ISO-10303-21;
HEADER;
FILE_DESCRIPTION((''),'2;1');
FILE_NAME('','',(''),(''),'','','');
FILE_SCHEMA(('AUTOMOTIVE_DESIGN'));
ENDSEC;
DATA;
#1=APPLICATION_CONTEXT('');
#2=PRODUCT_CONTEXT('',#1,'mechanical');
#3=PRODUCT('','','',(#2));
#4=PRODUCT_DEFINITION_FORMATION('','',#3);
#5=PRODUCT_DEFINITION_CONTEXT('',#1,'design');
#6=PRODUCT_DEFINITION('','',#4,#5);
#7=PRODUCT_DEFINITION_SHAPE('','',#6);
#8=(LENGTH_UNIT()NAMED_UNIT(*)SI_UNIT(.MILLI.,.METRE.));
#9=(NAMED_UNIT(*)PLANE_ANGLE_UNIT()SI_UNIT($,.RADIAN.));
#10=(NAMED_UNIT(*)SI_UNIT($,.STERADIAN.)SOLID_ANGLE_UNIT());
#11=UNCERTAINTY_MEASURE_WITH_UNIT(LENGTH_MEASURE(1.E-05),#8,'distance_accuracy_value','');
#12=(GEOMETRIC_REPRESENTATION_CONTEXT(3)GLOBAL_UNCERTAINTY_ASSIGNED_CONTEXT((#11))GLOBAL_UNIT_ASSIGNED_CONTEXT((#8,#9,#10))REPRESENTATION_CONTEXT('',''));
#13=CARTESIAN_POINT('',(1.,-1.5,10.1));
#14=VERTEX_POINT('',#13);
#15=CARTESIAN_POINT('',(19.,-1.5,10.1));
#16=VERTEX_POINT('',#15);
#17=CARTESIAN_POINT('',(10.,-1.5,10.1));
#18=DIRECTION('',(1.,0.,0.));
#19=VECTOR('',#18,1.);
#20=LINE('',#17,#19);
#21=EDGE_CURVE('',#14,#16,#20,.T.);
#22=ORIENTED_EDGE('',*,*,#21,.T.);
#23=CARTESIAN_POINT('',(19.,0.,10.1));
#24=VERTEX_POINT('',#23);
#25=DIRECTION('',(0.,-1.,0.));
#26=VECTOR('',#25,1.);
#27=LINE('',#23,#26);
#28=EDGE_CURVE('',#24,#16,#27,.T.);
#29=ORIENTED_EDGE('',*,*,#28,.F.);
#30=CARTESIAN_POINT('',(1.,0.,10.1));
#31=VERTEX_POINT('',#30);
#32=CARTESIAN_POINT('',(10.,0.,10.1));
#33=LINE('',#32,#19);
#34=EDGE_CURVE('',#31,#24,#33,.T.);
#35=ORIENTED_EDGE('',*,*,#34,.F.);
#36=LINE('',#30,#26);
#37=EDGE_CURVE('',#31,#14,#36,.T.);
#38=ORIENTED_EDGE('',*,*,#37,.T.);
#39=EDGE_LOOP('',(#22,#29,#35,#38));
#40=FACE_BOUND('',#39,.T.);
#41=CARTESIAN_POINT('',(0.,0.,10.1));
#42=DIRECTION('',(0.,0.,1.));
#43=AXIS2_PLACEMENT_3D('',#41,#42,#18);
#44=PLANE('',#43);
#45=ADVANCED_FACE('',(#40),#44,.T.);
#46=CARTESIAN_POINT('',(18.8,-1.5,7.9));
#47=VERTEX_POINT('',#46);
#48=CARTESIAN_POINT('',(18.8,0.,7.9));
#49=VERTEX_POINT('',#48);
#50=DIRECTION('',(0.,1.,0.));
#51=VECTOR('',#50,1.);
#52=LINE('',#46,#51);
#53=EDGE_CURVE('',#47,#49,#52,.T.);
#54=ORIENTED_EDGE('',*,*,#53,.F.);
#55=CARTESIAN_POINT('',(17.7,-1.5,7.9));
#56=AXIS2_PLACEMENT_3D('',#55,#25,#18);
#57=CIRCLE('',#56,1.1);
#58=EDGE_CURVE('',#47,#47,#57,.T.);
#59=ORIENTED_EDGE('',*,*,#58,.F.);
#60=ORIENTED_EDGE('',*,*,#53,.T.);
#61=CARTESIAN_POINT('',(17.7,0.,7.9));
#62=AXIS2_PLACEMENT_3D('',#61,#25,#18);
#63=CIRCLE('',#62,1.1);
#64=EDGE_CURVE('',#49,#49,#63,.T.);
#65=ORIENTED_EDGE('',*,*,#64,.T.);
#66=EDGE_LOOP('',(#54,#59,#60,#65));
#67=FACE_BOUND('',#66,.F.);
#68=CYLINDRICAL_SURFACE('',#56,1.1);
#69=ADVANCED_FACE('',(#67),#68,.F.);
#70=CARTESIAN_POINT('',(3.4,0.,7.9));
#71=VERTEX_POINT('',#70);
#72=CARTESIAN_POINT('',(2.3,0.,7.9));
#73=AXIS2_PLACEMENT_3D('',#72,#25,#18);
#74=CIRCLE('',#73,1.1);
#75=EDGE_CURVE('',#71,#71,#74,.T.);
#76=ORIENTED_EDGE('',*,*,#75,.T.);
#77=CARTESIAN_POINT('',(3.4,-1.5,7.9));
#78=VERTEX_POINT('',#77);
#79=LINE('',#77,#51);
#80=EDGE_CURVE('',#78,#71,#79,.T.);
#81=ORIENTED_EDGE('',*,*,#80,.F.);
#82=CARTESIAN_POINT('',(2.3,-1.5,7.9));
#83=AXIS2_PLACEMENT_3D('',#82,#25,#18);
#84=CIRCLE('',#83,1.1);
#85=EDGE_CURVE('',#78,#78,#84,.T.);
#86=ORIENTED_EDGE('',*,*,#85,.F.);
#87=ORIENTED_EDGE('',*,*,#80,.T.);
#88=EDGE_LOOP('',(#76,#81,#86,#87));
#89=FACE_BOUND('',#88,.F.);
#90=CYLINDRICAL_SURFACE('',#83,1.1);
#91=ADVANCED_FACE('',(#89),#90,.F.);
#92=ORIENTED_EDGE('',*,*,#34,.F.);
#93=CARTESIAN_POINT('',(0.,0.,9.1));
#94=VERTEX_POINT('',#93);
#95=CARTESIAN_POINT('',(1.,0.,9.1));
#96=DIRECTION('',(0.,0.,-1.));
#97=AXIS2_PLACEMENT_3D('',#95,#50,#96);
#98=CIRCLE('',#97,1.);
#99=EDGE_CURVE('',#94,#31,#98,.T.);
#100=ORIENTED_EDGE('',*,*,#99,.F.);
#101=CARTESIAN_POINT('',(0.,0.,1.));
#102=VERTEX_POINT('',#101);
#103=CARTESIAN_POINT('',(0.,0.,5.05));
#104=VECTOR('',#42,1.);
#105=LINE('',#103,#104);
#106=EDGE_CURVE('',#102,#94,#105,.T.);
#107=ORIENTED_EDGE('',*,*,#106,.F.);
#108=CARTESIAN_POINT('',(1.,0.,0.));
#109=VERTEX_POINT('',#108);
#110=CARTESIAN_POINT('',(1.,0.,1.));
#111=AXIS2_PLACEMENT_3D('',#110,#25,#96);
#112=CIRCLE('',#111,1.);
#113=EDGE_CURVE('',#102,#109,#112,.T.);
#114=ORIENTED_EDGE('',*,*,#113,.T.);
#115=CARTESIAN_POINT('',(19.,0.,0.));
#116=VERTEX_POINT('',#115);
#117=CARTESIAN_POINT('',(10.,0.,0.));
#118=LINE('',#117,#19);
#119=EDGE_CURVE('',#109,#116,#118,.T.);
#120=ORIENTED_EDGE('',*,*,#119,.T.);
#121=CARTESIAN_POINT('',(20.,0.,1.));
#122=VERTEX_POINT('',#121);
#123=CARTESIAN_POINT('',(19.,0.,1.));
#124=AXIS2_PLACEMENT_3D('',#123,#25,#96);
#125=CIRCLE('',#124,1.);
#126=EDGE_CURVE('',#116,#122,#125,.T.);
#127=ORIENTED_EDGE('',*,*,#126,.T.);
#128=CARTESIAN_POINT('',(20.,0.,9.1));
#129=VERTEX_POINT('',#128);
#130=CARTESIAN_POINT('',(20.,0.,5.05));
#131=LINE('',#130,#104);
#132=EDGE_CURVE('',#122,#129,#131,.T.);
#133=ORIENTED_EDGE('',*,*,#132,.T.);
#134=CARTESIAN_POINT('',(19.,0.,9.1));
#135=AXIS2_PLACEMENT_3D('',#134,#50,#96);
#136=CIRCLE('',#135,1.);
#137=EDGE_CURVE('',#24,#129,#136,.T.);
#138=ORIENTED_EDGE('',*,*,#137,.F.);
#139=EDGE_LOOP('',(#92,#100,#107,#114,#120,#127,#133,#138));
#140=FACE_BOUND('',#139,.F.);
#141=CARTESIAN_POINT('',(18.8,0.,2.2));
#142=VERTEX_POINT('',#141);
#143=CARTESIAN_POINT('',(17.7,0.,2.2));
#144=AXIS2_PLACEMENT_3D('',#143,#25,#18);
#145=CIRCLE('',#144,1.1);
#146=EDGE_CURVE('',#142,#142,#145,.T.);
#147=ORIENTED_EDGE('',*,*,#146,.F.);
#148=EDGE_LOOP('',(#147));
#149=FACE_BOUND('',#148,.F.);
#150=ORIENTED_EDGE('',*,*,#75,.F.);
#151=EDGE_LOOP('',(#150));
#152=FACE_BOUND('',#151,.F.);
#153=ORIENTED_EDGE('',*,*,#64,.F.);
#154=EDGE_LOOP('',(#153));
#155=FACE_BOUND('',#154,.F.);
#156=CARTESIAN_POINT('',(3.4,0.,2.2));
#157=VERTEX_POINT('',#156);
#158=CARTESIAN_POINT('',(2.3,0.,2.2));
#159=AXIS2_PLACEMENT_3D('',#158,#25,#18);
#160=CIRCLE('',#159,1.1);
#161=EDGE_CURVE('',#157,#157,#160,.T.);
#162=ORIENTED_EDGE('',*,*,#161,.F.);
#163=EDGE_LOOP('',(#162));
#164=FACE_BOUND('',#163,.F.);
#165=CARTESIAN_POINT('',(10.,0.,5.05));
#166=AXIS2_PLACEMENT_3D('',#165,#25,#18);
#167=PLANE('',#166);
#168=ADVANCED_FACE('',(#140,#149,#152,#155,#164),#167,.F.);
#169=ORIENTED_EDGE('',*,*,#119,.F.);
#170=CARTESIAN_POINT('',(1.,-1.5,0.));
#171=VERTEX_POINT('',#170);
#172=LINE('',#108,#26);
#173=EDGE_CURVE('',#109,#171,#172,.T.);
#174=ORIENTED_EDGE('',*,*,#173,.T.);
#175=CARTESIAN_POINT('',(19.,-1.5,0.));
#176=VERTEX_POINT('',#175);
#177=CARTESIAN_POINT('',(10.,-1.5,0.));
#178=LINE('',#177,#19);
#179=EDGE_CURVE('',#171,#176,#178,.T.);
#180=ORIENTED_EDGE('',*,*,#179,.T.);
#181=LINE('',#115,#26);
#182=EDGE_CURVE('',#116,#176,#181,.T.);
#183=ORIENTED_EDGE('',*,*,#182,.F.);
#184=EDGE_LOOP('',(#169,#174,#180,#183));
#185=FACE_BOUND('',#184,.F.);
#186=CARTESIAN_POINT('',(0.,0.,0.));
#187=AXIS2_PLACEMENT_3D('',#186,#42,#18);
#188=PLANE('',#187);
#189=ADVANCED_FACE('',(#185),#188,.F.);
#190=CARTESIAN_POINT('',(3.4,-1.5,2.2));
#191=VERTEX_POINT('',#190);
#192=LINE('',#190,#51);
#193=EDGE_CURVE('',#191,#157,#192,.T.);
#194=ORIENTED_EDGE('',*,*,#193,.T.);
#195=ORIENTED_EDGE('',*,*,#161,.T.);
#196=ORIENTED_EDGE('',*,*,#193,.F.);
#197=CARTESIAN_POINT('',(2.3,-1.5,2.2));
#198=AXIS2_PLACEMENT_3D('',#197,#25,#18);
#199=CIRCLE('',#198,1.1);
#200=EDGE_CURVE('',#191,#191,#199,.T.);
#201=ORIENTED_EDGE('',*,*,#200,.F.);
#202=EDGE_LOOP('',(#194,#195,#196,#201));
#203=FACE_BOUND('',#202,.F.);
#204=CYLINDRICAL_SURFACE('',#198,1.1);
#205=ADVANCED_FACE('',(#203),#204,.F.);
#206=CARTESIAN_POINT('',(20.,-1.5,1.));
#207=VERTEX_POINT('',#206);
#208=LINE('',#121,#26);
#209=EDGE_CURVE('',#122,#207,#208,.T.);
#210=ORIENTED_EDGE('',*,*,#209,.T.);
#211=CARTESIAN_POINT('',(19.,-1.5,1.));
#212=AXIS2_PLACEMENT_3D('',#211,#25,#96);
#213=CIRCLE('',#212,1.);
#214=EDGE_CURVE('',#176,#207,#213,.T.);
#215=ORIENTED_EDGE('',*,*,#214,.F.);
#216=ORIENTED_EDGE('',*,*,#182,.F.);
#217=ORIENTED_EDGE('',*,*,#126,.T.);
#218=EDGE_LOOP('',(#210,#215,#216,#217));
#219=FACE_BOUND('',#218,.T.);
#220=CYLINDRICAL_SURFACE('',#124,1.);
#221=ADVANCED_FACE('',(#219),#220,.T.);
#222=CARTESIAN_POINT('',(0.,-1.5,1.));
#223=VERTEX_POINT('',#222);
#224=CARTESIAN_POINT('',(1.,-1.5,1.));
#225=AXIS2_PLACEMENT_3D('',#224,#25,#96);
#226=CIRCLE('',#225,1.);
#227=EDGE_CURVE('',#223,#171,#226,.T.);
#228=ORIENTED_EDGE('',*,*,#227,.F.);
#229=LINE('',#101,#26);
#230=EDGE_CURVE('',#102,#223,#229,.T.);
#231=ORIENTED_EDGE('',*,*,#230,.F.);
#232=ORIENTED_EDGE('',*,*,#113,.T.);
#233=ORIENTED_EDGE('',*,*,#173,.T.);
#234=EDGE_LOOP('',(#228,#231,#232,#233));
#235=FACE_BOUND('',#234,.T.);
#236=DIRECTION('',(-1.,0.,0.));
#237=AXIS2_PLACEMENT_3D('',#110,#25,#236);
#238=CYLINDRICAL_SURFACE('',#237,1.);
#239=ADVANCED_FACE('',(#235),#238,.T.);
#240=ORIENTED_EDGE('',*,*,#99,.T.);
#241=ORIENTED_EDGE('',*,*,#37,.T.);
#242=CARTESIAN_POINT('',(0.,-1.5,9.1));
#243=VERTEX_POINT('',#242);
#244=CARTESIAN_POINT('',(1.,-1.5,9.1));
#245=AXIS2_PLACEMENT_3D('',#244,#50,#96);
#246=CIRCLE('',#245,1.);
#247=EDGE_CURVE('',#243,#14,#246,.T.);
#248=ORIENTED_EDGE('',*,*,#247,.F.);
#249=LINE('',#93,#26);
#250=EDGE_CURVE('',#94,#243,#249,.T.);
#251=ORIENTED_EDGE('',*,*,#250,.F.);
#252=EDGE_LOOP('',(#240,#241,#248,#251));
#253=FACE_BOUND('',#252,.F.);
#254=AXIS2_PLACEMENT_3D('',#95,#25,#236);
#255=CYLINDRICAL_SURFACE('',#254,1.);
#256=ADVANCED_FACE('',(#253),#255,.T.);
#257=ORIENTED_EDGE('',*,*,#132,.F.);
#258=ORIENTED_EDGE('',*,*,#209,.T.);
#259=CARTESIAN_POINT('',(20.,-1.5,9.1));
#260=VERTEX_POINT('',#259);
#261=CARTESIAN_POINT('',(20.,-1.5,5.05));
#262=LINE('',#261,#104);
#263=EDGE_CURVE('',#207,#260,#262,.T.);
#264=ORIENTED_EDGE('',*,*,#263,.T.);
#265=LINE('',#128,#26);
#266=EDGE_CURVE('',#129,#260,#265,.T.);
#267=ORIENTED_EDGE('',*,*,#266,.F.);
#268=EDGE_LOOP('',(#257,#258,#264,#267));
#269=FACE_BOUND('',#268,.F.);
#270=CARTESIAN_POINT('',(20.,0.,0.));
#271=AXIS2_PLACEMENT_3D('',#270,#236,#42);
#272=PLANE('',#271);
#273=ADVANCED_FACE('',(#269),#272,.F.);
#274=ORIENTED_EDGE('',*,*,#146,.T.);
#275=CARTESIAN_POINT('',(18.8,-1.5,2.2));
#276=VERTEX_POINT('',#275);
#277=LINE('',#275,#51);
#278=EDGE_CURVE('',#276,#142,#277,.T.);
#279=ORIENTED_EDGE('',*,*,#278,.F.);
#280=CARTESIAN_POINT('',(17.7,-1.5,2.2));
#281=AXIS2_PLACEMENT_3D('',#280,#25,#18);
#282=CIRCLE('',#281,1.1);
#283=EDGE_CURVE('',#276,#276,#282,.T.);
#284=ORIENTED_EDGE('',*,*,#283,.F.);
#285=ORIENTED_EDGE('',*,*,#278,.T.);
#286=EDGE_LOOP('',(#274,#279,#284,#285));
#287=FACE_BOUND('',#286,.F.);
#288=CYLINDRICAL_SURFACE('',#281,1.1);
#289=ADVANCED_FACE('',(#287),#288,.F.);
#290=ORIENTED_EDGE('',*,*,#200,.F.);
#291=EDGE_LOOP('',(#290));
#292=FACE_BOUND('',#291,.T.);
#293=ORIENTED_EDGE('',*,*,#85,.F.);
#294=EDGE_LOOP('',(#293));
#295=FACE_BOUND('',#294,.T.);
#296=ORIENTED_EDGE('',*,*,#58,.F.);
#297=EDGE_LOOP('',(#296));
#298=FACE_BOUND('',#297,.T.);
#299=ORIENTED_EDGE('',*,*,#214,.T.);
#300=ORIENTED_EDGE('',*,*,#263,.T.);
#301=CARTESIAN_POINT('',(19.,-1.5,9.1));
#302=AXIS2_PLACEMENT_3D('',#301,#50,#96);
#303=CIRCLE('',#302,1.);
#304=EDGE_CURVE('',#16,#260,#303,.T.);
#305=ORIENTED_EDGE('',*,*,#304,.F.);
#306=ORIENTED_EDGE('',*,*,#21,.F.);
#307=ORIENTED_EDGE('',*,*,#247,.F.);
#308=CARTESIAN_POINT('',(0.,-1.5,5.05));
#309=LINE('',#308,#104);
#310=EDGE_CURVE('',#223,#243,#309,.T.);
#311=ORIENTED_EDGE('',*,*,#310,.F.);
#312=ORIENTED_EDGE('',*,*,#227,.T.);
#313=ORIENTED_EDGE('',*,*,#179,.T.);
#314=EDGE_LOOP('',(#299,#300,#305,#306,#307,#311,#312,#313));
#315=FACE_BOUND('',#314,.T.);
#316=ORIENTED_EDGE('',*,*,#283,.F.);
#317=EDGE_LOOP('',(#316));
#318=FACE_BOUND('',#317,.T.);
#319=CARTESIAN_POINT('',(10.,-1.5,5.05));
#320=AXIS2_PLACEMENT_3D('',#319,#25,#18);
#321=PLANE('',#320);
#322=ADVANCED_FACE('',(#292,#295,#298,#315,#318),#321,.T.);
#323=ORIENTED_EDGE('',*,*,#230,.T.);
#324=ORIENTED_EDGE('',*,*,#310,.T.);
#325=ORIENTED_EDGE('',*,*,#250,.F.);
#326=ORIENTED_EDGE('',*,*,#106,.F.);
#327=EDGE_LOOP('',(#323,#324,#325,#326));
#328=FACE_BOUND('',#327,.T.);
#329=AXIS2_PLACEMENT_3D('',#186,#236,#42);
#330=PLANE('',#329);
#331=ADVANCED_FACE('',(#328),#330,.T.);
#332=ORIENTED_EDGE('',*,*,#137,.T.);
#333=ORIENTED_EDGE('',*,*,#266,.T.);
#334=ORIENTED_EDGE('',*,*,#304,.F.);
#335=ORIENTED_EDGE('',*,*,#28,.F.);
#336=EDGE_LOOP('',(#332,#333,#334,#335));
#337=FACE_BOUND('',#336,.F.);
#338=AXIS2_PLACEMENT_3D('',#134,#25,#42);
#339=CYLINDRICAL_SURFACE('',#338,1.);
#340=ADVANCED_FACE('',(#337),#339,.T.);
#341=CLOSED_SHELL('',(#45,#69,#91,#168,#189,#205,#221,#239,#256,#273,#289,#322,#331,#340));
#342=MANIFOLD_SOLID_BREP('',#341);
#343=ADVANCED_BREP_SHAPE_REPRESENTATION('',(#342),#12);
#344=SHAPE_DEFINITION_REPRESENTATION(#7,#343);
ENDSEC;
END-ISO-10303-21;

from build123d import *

# Parameters (mm, degrees)
F0_W     = 20
F0_H     = 10.1
F1_DEPTH = 1.5
F2_R     = 1.1
F3_DEPTH = 1.5
F4_R     = 1


with BuildPart() as f1:
    # F0 (on Front) → F1 (new body)
    with BuildSketch(Plane.XZ):
        with Locations((10, 5.05)):
            Rectangle(F0_W, F0_H)
    extrude(amount=F1_DEPTH)

    # F2 (on face) → F3 (cut, through all)
    with BuildSketch(Plane.XZ.offset(1.5)):
        with Locations((2.3, 7.9)):
            Circle(F2_R)
        with Locations((17.7, 7.9)):
            Circle(F2_R)
        with Locations((2.3, 2.2)):
            Circle(F2_R)
        with Locations((17.7, 2.2)):
            Circle(F2_R)
    extrude(amount=-F3_DEPTH, mode=Mode.SUBTRACT)

    # F4
    f4_edges = [f1.edges().sort_by_distance(p)[0] for p in [
        (20, -0.75, 10.1),
        (20, -0.75, 0),
        (0, -0.75, 10.1),
        (0, -0.75, 0),
    ]]
    fillet(f4_edges, radius=F4_R)


solid = f1.part
